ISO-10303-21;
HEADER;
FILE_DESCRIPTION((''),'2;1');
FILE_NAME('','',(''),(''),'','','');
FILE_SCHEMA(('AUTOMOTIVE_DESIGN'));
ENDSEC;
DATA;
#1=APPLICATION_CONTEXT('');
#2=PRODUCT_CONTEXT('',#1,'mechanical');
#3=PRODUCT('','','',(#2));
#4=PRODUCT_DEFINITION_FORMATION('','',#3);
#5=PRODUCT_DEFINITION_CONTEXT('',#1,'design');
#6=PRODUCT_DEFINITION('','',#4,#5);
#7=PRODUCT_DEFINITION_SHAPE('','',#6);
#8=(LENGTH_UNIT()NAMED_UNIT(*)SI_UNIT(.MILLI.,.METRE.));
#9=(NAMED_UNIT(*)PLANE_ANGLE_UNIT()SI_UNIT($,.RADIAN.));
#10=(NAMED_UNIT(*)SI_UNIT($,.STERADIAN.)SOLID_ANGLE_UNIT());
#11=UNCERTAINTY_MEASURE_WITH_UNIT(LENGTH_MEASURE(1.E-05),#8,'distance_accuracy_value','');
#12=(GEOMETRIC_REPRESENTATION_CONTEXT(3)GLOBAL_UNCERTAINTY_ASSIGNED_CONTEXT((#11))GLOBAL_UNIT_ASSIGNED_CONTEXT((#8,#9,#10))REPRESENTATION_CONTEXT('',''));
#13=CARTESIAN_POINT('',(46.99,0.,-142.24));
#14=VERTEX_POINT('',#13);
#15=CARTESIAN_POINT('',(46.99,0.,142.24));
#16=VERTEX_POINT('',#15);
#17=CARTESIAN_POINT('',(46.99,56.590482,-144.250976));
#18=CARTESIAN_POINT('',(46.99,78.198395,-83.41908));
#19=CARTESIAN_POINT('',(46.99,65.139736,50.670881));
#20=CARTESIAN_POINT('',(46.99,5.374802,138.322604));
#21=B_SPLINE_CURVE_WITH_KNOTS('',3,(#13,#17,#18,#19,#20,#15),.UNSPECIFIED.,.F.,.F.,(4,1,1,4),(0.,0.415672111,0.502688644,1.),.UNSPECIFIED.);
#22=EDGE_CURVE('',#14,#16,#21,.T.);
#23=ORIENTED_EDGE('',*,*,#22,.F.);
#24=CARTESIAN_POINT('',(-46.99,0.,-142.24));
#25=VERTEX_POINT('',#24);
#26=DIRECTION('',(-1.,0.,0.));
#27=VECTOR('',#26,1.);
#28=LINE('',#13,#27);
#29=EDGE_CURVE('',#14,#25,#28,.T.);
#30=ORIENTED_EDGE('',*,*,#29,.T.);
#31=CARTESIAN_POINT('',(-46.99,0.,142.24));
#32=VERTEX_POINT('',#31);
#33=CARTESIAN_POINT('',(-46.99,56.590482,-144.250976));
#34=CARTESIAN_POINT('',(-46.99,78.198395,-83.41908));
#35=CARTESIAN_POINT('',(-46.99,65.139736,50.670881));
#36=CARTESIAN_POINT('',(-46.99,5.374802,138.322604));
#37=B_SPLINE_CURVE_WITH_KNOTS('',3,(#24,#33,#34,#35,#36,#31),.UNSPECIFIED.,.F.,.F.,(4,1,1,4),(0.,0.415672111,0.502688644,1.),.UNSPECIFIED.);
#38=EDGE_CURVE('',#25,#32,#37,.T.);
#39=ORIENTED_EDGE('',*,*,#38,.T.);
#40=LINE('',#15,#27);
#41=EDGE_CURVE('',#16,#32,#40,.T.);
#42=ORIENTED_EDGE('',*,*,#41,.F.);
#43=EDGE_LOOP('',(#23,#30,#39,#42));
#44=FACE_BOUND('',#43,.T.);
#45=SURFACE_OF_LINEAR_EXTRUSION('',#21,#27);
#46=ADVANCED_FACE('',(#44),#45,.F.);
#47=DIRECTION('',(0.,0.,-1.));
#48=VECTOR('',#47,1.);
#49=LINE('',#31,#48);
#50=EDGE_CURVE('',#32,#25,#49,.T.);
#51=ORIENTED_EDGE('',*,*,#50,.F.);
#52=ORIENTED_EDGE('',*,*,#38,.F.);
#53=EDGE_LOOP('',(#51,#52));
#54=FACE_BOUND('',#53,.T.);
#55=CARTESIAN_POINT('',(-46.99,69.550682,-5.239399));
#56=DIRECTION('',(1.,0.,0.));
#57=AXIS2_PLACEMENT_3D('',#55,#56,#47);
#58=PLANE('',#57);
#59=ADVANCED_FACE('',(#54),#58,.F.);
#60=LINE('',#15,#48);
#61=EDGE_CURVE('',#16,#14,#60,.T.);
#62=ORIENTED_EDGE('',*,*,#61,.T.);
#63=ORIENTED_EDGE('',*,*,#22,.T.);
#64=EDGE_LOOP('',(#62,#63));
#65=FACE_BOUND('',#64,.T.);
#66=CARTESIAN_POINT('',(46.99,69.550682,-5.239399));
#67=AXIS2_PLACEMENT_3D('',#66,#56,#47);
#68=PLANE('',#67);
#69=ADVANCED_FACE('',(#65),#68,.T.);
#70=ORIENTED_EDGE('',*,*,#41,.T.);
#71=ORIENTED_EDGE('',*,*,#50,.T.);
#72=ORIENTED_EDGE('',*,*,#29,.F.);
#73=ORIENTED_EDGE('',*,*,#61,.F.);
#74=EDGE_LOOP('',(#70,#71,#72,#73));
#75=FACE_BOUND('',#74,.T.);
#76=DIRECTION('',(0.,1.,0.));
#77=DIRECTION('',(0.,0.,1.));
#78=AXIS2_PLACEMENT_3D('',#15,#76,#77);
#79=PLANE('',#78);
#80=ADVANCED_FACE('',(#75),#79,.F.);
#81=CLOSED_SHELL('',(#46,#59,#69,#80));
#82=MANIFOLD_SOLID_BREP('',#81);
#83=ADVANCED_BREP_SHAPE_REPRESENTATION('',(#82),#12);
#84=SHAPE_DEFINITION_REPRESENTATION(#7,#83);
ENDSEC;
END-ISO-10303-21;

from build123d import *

# Parameters (mm, degrees)
BOSS_EXTRUDE1_DEPTH = 46.99


with BuildPart() as part:
    # Sketch1 → Boss-Extrude1 (new, symmetric)
    with BuildSketch(Plane(origin=(0, 0, 0), x_dir=(0, 0, -1), z_dir=(1, 0, 0))):
        with BuildLine():
            Line((-142.24, 0), (142.24, 0))
            add(Edge.make_bspline(
                [(-142.24, 0), (-138.322604019, 5.374802254), (-50.670881172, 65.139735668), (83.419079783, 78.198395312), (144.250976284, 56.590482324), (142.24, 0)],
                knots=[0, 0, 0, 0, 0.497311356, 0.584327889, 1, 1, 1, 1], degree=3))
        make_face()
    extrude(amount=BOSS_EXTRUDE1_DEPTH, both=True)


solid = part.part
